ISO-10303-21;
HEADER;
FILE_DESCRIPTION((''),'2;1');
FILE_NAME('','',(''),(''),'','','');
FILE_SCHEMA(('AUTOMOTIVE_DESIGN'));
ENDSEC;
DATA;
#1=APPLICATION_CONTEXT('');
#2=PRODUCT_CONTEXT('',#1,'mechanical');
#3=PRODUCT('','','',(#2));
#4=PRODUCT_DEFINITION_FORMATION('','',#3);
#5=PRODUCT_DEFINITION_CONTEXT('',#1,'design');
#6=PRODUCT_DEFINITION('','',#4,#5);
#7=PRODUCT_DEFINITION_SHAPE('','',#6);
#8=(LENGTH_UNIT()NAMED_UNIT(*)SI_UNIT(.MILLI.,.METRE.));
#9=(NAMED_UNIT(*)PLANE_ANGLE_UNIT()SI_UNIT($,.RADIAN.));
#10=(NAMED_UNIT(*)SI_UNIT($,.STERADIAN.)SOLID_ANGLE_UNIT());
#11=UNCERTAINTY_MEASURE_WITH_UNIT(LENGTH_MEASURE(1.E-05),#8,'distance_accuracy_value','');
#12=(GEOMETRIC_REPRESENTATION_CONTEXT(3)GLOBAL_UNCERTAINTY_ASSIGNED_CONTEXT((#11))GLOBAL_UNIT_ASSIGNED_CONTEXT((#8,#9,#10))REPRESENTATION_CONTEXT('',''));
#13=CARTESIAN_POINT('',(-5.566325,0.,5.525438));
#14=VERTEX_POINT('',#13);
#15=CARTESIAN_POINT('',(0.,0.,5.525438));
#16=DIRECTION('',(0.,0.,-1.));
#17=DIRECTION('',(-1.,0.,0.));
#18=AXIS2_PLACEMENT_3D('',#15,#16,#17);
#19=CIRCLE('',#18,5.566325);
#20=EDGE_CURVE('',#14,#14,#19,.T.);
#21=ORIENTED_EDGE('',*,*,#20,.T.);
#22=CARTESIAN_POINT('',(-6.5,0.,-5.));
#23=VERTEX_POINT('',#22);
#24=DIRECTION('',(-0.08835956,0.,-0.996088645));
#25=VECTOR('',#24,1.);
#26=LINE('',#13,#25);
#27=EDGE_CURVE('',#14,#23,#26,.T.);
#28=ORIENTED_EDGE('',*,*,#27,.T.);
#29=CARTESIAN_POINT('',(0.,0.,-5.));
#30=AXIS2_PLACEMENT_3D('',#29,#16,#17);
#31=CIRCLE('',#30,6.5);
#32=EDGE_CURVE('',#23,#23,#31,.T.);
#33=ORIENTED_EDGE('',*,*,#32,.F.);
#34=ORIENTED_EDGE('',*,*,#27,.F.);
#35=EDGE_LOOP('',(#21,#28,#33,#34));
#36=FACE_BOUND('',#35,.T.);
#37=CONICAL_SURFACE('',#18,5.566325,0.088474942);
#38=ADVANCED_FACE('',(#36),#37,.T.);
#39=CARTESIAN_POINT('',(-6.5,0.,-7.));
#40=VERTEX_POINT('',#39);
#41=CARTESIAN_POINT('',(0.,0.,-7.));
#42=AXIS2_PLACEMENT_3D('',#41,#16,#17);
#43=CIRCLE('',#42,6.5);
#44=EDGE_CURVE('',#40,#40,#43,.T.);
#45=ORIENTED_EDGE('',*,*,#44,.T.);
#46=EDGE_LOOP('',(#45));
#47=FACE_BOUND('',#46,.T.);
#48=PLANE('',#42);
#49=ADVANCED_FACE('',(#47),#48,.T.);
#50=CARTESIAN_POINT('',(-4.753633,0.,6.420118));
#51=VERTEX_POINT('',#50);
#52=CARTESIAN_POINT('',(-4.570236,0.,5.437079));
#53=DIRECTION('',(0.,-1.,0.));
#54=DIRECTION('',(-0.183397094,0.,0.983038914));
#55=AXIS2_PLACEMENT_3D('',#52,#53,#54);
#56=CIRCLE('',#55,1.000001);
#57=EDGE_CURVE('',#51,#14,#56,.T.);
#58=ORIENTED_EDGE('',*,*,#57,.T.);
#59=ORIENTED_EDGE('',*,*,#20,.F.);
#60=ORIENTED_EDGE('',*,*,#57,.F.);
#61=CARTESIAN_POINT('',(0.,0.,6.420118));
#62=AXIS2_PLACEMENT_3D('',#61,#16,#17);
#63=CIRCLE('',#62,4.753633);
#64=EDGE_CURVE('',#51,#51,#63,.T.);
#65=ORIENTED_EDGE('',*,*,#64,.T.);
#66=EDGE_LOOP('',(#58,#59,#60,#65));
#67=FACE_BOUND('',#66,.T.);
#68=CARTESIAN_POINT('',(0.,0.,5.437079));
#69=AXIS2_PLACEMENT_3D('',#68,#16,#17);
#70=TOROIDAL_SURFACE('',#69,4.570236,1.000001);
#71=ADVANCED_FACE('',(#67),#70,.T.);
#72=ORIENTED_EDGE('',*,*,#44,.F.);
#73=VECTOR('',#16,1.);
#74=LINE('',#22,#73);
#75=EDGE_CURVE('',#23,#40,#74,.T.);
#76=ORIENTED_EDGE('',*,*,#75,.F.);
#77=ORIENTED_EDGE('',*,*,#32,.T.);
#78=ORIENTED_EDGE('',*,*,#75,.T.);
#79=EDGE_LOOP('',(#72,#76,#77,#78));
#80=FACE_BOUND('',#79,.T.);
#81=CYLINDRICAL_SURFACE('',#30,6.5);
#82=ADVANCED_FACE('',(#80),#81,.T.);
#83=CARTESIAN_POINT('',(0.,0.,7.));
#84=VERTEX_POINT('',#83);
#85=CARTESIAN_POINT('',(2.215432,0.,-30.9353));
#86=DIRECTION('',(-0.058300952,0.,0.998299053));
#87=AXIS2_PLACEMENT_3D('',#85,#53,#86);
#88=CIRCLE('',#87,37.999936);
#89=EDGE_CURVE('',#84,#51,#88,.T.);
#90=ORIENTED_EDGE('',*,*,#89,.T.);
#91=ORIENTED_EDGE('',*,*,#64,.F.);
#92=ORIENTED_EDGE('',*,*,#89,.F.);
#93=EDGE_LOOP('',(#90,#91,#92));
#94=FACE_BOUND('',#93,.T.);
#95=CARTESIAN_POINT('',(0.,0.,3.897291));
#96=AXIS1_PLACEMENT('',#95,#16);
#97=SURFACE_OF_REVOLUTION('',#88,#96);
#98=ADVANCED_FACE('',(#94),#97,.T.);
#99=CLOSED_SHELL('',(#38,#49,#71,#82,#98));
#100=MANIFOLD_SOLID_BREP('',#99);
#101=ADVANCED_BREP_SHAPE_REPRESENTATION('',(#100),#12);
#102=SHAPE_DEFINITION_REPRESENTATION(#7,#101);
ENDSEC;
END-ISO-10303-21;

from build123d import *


with BuildPart() as f1:
    # F0 (on Front) → F1 (revolve)
    with BuildSketch(Plane.XZ):
        with BuildLine():
            Line((-5.566325, 5.525438), (-6.5, -5))
            Line((-6.5, -5), (-6.5, -7))
            Line((-6.5, -7), (0, -7))
            Line((0, -7), (0, 7))
            ThreePointArc((0, 7), (-2.38596, 6.785017), (-4.753633, 6.420118))
            ThreePointArc((-4.753633, 6.420118), (-5.310445, 6.109456), (-5.566325, 5.525438))
        make_face()
    revolve(axis=Axis((0, 0, 3.897291), (0, 0, -1)))


solid = f1.part
